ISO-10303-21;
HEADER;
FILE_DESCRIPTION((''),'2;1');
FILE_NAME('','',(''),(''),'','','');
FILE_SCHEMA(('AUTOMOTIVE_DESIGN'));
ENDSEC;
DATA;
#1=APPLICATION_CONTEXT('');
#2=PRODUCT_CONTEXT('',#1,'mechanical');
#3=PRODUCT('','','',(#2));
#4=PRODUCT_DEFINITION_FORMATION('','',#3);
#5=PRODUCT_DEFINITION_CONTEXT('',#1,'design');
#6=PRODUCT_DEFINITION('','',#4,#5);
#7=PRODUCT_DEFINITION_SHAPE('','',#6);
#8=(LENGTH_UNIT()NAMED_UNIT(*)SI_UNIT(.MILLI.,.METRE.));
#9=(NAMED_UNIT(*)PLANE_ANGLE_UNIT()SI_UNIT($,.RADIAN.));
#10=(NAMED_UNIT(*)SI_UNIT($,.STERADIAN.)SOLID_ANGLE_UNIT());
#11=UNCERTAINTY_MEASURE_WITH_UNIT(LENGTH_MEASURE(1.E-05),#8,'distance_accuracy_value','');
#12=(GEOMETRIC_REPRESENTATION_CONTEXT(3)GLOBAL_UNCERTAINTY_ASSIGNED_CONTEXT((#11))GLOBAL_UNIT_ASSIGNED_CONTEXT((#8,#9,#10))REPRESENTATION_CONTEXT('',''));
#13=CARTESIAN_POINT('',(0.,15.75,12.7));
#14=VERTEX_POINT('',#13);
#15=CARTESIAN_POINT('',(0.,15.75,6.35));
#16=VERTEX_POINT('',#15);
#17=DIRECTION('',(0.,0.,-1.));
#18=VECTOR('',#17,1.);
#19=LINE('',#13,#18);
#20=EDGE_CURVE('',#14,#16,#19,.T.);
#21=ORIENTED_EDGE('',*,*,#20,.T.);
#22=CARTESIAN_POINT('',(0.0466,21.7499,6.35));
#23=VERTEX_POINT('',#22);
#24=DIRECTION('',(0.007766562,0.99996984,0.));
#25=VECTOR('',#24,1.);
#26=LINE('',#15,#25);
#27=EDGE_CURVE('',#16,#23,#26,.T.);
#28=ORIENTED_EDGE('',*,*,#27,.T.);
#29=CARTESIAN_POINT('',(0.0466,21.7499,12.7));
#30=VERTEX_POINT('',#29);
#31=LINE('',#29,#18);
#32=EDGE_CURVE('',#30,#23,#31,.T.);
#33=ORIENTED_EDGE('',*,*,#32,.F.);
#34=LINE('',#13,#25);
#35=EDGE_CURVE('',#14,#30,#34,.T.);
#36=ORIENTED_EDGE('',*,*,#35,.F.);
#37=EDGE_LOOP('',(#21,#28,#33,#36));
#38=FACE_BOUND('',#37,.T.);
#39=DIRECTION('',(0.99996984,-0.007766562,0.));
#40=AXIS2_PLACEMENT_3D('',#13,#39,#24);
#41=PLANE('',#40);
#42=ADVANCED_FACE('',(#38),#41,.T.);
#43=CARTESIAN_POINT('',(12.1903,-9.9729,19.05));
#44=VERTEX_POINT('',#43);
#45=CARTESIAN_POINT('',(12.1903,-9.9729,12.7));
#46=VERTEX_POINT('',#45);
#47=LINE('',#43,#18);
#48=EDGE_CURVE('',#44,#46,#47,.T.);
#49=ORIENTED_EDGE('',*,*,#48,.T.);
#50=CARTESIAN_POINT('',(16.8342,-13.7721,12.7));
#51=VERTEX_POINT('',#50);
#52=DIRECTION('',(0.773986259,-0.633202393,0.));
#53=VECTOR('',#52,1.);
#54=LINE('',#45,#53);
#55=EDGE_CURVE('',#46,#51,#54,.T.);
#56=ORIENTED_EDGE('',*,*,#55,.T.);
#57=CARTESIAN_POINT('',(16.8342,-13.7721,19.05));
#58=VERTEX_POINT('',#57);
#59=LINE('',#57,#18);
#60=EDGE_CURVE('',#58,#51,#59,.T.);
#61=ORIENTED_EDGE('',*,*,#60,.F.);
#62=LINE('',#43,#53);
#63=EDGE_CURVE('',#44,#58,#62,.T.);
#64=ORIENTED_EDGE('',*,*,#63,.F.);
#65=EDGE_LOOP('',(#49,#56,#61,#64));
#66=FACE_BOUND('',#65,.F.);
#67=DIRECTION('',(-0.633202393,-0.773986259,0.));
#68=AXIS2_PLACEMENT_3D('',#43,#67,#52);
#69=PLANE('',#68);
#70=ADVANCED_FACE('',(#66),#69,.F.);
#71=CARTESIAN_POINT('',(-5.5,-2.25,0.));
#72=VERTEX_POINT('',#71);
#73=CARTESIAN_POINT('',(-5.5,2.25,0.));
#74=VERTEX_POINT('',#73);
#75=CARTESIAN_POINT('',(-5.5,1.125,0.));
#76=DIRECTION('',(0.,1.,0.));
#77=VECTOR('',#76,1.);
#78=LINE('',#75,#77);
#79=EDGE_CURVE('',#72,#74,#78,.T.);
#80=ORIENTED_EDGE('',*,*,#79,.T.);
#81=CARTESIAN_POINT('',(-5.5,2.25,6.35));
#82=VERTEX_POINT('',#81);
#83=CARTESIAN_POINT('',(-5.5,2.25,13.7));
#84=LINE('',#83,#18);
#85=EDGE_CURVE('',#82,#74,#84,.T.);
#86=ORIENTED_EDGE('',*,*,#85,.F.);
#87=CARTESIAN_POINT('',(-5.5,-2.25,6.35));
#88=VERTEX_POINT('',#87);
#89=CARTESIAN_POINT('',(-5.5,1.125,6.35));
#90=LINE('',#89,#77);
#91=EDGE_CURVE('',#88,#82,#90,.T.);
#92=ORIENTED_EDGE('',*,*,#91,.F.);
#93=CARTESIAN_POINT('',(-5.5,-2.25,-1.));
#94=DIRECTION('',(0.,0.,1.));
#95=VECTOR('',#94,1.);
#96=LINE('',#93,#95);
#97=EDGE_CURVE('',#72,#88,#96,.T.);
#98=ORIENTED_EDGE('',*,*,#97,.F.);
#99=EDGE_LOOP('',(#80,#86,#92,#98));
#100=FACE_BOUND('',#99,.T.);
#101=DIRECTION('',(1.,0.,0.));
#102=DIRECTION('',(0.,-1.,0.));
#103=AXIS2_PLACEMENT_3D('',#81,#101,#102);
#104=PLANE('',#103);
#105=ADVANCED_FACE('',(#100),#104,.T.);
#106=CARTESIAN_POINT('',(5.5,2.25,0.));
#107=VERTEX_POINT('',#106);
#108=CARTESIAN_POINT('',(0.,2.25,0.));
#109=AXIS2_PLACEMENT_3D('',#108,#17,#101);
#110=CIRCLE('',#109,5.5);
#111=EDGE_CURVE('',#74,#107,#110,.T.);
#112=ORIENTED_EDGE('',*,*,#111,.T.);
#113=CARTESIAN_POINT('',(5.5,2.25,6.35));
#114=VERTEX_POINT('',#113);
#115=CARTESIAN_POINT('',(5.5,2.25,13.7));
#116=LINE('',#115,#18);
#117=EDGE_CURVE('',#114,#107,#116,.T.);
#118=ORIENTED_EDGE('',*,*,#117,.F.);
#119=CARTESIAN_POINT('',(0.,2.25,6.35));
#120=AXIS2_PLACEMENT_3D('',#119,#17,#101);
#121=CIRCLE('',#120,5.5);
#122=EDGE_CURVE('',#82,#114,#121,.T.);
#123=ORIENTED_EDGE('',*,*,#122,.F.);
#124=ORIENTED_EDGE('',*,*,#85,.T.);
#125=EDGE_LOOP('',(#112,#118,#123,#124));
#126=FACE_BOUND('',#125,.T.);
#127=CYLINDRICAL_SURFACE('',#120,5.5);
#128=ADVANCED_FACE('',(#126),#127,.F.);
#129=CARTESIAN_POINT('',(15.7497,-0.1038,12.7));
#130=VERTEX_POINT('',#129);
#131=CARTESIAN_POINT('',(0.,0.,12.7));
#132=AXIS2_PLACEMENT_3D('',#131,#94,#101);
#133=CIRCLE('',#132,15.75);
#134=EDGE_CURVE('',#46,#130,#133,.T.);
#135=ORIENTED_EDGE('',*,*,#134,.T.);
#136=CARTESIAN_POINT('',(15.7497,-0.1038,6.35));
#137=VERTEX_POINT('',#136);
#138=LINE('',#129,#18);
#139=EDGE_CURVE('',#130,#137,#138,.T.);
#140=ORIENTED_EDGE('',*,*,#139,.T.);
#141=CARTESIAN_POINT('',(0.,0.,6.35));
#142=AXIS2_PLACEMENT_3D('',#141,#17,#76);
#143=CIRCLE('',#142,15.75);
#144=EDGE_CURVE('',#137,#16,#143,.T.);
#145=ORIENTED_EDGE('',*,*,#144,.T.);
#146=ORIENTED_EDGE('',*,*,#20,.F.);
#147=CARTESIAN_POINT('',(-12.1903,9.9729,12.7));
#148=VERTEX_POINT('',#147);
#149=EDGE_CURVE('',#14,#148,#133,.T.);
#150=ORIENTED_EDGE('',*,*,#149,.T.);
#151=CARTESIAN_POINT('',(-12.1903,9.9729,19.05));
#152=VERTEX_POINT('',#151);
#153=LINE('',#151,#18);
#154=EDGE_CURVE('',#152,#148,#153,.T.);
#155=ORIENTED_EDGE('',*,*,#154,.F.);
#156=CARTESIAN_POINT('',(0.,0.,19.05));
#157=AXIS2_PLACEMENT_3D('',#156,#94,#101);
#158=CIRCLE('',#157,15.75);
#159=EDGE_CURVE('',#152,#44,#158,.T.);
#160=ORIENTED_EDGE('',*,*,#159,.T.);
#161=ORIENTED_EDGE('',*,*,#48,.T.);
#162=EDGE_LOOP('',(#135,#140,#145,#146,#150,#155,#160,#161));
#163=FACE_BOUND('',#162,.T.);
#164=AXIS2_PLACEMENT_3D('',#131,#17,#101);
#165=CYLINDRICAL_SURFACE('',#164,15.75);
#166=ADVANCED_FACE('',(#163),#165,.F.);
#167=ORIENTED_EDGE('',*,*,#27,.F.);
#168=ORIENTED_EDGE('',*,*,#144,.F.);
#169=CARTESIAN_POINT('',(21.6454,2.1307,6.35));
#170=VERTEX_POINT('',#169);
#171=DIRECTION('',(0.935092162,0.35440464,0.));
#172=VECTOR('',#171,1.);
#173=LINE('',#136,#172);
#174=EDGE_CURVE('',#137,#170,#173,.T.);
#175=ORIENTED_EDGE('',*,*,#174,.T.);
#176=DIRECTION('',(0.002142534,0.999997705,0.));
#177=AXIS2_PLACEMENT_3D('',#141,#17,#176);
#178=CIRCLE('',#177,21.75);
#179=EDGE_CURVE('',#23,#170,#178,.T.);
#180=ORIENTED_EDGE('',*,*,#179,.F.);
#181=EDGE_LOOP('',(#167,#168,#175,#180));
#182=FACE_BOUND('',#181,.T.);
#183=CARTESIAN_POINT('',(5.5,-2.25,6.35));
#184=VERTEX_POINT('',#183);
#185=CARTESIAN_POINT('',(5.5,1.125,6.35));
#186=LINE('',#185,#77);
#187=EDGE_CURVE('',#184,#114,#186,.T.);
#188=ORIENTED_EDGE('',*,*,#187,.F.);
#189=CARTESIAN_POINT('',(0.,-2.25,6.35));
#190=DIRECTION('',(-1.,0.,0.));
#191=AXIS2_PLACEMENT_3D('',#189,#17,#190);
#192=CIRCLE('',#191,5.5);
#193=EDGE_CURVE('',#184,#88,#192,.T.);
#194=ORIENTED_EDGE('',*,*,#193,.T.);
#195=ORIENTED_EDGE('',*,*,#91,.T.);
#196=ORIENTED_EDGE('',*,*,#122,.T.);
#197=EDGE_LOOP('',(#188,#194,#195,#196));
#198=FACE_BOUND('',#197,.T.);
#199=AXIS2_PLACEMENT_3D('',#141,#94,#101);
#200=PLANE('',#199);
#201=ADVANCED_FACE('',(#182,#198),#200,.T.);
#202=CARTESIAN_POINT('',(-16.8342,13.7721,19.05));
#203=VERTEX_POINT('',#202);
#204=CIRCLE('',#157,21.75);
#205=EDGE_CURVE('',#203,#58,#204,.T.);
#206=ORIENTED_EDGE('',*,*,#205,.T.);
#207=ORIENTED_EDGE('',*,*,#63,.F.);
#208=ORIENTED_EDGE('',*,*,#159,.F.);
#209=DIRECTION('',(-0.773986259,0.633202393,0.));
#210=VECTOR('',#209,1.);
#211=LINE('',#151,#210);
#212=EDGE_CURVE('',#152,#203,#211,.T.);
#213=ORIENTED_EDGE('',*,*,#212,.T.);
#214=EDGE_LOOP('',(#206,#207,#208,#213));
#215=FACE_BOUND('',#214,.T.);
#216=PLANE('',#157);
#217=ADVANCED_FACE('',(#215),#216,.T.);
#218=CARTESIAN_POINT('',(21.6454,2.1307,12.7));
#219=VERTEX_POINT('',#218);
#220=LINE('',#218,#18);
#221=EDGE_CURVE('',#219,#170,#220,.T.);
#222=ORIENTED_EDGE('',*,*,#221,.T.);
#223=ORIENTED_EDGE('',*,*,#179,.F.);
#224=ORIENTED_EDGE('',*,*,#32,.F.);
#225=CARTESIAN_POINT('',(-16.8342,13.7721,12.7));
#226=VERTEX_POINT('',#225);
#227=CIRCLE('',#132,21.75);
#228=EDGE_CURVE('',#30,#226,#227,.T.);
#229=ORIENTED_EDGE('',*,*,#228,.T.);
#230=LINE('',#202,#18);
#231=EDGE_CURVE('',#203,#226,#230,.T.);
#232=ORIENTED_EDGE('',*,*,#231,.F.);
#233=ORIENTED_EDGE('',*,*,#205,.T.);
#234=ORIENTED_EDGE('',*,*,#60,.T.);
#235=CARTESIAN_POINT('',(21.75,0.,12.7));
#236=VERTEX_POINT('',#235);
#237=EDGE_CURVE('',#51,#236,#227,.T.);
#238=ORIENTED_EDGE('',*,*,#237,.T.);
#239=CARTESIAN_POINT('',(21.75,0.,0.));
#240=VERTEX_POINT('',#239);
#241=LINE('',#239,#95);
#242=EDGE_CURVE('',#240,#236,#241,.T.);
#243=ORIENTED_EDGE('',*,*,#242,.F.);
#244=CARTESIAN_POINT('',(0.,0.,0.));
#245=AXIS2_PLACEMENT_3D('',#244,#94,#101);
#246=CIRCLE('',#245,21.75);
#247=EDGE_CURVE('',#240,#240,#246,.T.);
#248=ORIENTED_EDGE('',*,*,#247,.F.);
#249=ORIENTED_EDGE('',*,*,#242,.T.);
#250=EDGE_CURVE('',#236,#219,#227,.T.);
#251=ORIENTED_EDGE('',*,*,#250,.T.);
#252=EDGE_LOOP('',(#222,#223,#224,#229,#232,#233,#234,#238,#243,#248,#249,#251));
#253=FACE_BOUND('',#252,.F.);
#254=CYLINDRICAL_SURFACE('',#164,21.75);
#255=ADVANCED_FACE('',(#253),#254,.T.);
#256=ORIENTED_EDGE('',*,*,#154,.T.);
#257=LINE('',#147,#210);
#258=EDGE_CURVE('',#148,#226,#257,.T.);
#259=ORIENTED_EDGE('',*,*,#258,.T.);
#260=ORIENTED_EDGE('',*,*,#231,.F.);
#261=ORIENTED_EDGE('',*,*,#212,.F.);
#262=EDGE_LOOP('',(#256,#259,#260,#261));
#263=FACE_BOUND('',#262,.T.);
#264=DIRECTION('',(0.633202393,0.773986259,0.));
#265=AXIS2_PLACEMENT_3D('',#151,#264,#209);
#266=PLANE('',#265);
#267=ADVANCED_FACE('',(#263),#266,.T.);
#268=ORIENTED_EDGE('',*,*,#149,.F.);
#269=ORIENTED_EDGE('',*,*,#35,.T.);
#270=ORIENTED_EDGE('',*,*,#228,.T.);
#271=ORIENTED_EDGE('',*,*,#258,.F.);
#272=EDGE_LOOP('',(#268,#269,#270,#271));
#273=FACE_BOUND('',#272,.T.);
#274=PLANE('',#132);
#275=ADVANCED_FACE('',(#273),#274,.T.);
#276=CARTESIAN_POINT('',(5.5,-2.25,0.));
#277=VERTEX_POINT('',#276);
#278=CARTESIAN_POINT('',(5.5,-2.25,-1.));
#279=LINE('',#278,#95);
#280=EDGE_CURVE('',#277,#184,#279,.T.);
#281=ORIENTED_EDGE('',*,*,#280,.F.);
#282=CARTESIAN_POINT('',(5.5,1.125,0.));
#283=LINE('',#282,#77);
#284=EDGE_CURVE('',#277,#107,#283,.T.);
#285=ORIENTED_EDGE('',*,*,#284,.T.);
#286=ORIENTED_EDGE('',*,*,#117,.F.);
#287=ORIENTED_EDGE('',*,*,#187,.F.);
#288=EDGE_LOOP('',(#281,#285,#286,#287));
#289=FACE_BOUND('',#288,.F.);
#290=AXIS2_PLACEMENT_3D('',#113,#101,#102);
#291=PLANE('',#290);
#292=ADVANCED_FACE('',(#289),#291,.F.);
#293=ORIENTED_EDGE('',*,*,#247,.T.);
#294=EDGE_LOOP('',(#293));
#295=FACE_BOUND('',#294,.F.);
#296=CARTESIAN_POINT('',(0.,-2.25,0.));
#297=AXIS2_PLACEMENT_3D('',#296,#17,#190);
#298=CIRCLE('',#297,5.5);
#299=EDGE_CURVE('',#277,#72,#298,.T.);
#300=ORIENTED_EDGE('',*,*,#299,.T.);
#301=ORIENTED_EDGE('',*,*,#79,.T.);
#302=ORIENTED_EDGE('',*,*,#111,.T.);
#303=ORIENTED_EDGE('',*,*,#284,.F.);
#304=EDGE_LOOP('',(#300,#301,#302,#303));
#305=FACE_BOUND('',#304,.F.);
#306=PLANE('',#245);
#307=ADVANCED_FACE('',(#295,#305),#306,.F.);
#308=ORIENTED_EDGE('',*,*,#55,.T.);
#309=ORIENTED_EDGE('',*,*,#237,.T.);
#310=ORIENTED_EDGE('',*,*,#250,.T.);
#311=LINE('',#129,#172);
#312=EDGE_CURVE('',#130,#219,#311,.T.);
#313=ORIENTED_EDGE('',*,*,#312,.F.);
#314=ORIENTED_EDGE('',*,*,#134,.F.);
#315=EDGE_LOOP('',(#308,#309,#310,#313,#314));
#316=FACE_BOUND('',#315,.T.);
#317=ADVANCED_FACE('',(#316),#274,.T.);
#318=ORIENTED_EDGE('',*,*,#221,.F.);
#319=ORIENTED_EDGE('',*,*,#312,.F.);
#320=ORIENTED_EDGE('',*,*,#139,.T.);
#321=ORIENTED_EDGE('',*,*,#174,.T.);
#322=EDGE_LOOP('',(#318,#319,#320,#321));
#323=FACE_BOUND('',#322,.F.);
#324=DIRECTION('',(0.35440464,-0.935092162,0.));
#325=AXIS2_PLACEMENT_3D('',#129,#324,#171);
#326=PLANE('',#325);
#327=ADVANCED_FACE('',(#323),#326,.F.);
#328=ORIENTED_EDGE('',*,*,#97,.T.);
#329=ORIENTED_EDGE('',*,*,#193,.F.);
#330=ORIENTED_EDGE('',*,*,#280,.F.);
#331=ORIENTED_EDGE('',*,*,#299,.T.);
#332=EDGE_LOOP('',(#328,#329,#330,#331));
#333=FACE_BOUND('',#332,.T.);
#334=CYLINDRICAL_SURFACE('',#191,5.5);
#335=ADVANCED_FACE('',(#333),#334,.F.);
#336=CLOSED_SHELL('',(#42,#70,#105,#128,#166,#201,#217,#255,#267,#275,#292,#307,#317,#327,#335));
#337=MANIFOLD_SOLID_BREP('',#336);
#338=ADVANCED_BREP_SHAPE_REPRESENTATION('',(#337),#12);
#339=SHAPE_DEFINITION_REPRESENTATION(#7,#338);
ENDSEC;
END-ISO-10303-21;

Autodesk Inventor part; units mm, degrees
ref_plane "YZ Plane" through (0, 0, 0) normal (1, 0, 0) x (0, 1, 0)
ref_plane "XZ Plane" through (0, 0, 0) normal (0, 1, 0) x (-1, 0, 0)
ref_plane "XY Plane" through (0, 0, 0) normal (0, 0, 1) x (1, 0, 0)
sketch "Sketch1" plane through (0, 0, 0) normal (0, 0, 1) x (1, 0, 0)
  circle A0 centre (0, 0) radius 15.75
  circle A1 centre (0, 0) radius 21.75
  dimension "d1" = 31.5
  dimension "d2" = 43.5
extrude "Extrusion1" add sketch "Sketch1" along normal blind 6.35 contours A0 | A1
sketch "Sketch2" plane through (0, 0, 6.35) normal (0, 0, 1) x (1, 0, 0)
  circle A0 centre (0, 0) radius 21.75
  circle A1 centre (0, 0) radius 15.75
  dimension "d5" = 31.5
extrude "Extrusion2" add sketch "Sketch2" along normal blind 6.35
sketch "Sketch3" plane through (0, 0, 6.35) normal (0, 0, 1) x (1, 0, 0)
  line L0 (0, -4.75) -> (0, -8.25)
  line L1 (0, -8.25) -> (0, -4.75)
  line L2 (0, 4.75) -> (0, 8.25)
  line L3 (0, 0) -> (0, -1.75)
  line L4 (0, 0) -> (0, 1.75)
  line L5 (0, 0) -> (0, 2.25)
  line L6 (0, 0) -> (0, -2.25)
  line L7 (4.7631, 0) -> (0, 0)
  arc A0 (-5.5, -2.25) -> (5.5, -2.25) centre (0, -2.25) ccw
  arc A1 (5.5, 2.25) -> (-5.5, 2.25) centre (0, 2.25) ccw
  line L8 (-5.5, 2.25) -> (-5.5, -2.25)
  line L9 (5.5, 2.25) -> (5.5, -2.25)
  point P0 (-5.5102, 0)
  dimension "d11" = 8.25
  dimension "d12" = 8.25
  dimension "d32" = 2.25
  dimension "d33" = 2.25
extrude "Extrusion3" cut sketch "Sketch3" along normal through all both and the other way through all
sketch "Sketch4" plane through (0, 0, 12.7) normal (0, 0, 1) x (1, 0, 0)
  point P0 (0, 0)
sketch "Sketch5" plane through (0, 0, 12.7) normal (0, 0, 1) x (1, 0, 0)
  circle A0 centre (0, 0) radius 15.75 projected
  line L0 (0, 15.75) -> (0, 21.75)
  circle A1 centre (0, 0) radius 21.75 projected
  line L1 (-14.7967, 5.3964) -> (-20.2679, 7.8914)
  arc A2 (0, 15.75) -> (-14.7967, 5.3964) centre (0, 0) ccw
  arc A3 (0, 21.75) -> (-20.2679, 7.8914) centre (0, 0) ccw
extrude "Extrusion4" cut sketch "Sketch5" against normal blind 6.35 contours A0 L1 A1 L0 picked at (-1.7226, 19.5424)
sketch "Sketch6" plane through (0, 0, 12.7) normal (0, 0, 1) x (1, 0, 0)
  point P0 (0, 0)
sketch "Sketch7" plane through (0, 0, 12.7) normal (0, 0, 1) x (1, 0, 0)
  circle A0 centre (0, 0) radius 21.75
  circle A1 centre (0, 0) radius 15.75
extrude "Extrusion5" add sketch "Sketch7" against normal blind 6.35
sketch "Sketch8" plane through (0, 0, 12.7) normal (0, 0, 1) x (1, 0, 0)
  point P0 (0, 0)
sketch "Sketch9" plane through (0, 0, 12.7) normal (0, 0, 1) x (1, 0, 0)
  circle A0 centre (0, 0) radius 15.75
  circle A1 centre (0, 0) radius 21.75
  circle A2 centre (0, 0) radius 21.75 projected
  circle A3 centre (0, 0) radius 15.75 projected
  line L0 (15.7497, -0.1038) -> (21.6454, 2.1307)
  arc A4 (15.7497, -0.1038) -> (0, 15.75) centre (0, 0) ccw
  arc A5 (21.6454, 2.1307) -> (2.0753, 21.6508) centre (0, 0) ccw
  line L1 (0, 15.75) -> (0.0466, 21.7499)
  circle A6 centre (0, 0) radius 21.75 projected
  arc A7 (21.6454, 2.1307) -> (0.0466, 21.7499) centre (0, 0) ccw
extrude "Extrusion6" cut sketch "Sketch9" against normal blind 6.35 contours A0 L1 A1 L0 picked at (4.1755, 19.2056)
sketch "Sketch10" plane through (0, 0, 12.7) normal (0, 0, 1) x (1, 0, 0)
  circle A0 centre (0, 0) radius 15.75
  circle A1 centre (0, 0) radius 21.75
  point P0 (15.7497, -0.1038)
extrude "Extrusion7" add sketch "Sketch10" along normal blind 6.35
sketch "Sketch11" plane through (0, 0, 19.05) normal (0, 0, 1) x (1, 0, 0)
  circle A0 centre (0, 0) radius 21.75 projected
  circle A1 centre (0, 0) radius 15.75
  circle A2 centre (0, 0) radius 21.75
  arc A3 (0, 15.75) -> (15.7497, -0.1038) centre (0, 0) ccw projected
  line L0 (12.1903, -9.9729) -> (16.8342, -13.7721)
  line L1 (-12.1903, 9.9729) -> (-16.8342, 13.7721)
  arc A4 (12.1903, -9.9729) -> (-12.1903, 9.9729) centre (0, 0) ccw
  arc A5 (16.8342, -13.7721) -> (-16.8342, 13.7721) centre (0, 0) ccw
  line L2 (-12.1903, 9.9729) -> (-16.8342, 13.7721)
  line L3 (12.1903, -9.9729) -> (16.8342, -13.7721)
  arc A6 (12.1903, -9.9729) -> (-12.1903, 9.9729) centre (0, 0) ccw
  point P0 (6.5, 1.75)
  point P1 (-6.5, 1.75)
extrude "Extrusion8" cut sketch "Sketch11" against normal blind 6.35 contours A0 L0 A1 L1 picked at (19.4008, 2.9309)
properties part number "bracket"
